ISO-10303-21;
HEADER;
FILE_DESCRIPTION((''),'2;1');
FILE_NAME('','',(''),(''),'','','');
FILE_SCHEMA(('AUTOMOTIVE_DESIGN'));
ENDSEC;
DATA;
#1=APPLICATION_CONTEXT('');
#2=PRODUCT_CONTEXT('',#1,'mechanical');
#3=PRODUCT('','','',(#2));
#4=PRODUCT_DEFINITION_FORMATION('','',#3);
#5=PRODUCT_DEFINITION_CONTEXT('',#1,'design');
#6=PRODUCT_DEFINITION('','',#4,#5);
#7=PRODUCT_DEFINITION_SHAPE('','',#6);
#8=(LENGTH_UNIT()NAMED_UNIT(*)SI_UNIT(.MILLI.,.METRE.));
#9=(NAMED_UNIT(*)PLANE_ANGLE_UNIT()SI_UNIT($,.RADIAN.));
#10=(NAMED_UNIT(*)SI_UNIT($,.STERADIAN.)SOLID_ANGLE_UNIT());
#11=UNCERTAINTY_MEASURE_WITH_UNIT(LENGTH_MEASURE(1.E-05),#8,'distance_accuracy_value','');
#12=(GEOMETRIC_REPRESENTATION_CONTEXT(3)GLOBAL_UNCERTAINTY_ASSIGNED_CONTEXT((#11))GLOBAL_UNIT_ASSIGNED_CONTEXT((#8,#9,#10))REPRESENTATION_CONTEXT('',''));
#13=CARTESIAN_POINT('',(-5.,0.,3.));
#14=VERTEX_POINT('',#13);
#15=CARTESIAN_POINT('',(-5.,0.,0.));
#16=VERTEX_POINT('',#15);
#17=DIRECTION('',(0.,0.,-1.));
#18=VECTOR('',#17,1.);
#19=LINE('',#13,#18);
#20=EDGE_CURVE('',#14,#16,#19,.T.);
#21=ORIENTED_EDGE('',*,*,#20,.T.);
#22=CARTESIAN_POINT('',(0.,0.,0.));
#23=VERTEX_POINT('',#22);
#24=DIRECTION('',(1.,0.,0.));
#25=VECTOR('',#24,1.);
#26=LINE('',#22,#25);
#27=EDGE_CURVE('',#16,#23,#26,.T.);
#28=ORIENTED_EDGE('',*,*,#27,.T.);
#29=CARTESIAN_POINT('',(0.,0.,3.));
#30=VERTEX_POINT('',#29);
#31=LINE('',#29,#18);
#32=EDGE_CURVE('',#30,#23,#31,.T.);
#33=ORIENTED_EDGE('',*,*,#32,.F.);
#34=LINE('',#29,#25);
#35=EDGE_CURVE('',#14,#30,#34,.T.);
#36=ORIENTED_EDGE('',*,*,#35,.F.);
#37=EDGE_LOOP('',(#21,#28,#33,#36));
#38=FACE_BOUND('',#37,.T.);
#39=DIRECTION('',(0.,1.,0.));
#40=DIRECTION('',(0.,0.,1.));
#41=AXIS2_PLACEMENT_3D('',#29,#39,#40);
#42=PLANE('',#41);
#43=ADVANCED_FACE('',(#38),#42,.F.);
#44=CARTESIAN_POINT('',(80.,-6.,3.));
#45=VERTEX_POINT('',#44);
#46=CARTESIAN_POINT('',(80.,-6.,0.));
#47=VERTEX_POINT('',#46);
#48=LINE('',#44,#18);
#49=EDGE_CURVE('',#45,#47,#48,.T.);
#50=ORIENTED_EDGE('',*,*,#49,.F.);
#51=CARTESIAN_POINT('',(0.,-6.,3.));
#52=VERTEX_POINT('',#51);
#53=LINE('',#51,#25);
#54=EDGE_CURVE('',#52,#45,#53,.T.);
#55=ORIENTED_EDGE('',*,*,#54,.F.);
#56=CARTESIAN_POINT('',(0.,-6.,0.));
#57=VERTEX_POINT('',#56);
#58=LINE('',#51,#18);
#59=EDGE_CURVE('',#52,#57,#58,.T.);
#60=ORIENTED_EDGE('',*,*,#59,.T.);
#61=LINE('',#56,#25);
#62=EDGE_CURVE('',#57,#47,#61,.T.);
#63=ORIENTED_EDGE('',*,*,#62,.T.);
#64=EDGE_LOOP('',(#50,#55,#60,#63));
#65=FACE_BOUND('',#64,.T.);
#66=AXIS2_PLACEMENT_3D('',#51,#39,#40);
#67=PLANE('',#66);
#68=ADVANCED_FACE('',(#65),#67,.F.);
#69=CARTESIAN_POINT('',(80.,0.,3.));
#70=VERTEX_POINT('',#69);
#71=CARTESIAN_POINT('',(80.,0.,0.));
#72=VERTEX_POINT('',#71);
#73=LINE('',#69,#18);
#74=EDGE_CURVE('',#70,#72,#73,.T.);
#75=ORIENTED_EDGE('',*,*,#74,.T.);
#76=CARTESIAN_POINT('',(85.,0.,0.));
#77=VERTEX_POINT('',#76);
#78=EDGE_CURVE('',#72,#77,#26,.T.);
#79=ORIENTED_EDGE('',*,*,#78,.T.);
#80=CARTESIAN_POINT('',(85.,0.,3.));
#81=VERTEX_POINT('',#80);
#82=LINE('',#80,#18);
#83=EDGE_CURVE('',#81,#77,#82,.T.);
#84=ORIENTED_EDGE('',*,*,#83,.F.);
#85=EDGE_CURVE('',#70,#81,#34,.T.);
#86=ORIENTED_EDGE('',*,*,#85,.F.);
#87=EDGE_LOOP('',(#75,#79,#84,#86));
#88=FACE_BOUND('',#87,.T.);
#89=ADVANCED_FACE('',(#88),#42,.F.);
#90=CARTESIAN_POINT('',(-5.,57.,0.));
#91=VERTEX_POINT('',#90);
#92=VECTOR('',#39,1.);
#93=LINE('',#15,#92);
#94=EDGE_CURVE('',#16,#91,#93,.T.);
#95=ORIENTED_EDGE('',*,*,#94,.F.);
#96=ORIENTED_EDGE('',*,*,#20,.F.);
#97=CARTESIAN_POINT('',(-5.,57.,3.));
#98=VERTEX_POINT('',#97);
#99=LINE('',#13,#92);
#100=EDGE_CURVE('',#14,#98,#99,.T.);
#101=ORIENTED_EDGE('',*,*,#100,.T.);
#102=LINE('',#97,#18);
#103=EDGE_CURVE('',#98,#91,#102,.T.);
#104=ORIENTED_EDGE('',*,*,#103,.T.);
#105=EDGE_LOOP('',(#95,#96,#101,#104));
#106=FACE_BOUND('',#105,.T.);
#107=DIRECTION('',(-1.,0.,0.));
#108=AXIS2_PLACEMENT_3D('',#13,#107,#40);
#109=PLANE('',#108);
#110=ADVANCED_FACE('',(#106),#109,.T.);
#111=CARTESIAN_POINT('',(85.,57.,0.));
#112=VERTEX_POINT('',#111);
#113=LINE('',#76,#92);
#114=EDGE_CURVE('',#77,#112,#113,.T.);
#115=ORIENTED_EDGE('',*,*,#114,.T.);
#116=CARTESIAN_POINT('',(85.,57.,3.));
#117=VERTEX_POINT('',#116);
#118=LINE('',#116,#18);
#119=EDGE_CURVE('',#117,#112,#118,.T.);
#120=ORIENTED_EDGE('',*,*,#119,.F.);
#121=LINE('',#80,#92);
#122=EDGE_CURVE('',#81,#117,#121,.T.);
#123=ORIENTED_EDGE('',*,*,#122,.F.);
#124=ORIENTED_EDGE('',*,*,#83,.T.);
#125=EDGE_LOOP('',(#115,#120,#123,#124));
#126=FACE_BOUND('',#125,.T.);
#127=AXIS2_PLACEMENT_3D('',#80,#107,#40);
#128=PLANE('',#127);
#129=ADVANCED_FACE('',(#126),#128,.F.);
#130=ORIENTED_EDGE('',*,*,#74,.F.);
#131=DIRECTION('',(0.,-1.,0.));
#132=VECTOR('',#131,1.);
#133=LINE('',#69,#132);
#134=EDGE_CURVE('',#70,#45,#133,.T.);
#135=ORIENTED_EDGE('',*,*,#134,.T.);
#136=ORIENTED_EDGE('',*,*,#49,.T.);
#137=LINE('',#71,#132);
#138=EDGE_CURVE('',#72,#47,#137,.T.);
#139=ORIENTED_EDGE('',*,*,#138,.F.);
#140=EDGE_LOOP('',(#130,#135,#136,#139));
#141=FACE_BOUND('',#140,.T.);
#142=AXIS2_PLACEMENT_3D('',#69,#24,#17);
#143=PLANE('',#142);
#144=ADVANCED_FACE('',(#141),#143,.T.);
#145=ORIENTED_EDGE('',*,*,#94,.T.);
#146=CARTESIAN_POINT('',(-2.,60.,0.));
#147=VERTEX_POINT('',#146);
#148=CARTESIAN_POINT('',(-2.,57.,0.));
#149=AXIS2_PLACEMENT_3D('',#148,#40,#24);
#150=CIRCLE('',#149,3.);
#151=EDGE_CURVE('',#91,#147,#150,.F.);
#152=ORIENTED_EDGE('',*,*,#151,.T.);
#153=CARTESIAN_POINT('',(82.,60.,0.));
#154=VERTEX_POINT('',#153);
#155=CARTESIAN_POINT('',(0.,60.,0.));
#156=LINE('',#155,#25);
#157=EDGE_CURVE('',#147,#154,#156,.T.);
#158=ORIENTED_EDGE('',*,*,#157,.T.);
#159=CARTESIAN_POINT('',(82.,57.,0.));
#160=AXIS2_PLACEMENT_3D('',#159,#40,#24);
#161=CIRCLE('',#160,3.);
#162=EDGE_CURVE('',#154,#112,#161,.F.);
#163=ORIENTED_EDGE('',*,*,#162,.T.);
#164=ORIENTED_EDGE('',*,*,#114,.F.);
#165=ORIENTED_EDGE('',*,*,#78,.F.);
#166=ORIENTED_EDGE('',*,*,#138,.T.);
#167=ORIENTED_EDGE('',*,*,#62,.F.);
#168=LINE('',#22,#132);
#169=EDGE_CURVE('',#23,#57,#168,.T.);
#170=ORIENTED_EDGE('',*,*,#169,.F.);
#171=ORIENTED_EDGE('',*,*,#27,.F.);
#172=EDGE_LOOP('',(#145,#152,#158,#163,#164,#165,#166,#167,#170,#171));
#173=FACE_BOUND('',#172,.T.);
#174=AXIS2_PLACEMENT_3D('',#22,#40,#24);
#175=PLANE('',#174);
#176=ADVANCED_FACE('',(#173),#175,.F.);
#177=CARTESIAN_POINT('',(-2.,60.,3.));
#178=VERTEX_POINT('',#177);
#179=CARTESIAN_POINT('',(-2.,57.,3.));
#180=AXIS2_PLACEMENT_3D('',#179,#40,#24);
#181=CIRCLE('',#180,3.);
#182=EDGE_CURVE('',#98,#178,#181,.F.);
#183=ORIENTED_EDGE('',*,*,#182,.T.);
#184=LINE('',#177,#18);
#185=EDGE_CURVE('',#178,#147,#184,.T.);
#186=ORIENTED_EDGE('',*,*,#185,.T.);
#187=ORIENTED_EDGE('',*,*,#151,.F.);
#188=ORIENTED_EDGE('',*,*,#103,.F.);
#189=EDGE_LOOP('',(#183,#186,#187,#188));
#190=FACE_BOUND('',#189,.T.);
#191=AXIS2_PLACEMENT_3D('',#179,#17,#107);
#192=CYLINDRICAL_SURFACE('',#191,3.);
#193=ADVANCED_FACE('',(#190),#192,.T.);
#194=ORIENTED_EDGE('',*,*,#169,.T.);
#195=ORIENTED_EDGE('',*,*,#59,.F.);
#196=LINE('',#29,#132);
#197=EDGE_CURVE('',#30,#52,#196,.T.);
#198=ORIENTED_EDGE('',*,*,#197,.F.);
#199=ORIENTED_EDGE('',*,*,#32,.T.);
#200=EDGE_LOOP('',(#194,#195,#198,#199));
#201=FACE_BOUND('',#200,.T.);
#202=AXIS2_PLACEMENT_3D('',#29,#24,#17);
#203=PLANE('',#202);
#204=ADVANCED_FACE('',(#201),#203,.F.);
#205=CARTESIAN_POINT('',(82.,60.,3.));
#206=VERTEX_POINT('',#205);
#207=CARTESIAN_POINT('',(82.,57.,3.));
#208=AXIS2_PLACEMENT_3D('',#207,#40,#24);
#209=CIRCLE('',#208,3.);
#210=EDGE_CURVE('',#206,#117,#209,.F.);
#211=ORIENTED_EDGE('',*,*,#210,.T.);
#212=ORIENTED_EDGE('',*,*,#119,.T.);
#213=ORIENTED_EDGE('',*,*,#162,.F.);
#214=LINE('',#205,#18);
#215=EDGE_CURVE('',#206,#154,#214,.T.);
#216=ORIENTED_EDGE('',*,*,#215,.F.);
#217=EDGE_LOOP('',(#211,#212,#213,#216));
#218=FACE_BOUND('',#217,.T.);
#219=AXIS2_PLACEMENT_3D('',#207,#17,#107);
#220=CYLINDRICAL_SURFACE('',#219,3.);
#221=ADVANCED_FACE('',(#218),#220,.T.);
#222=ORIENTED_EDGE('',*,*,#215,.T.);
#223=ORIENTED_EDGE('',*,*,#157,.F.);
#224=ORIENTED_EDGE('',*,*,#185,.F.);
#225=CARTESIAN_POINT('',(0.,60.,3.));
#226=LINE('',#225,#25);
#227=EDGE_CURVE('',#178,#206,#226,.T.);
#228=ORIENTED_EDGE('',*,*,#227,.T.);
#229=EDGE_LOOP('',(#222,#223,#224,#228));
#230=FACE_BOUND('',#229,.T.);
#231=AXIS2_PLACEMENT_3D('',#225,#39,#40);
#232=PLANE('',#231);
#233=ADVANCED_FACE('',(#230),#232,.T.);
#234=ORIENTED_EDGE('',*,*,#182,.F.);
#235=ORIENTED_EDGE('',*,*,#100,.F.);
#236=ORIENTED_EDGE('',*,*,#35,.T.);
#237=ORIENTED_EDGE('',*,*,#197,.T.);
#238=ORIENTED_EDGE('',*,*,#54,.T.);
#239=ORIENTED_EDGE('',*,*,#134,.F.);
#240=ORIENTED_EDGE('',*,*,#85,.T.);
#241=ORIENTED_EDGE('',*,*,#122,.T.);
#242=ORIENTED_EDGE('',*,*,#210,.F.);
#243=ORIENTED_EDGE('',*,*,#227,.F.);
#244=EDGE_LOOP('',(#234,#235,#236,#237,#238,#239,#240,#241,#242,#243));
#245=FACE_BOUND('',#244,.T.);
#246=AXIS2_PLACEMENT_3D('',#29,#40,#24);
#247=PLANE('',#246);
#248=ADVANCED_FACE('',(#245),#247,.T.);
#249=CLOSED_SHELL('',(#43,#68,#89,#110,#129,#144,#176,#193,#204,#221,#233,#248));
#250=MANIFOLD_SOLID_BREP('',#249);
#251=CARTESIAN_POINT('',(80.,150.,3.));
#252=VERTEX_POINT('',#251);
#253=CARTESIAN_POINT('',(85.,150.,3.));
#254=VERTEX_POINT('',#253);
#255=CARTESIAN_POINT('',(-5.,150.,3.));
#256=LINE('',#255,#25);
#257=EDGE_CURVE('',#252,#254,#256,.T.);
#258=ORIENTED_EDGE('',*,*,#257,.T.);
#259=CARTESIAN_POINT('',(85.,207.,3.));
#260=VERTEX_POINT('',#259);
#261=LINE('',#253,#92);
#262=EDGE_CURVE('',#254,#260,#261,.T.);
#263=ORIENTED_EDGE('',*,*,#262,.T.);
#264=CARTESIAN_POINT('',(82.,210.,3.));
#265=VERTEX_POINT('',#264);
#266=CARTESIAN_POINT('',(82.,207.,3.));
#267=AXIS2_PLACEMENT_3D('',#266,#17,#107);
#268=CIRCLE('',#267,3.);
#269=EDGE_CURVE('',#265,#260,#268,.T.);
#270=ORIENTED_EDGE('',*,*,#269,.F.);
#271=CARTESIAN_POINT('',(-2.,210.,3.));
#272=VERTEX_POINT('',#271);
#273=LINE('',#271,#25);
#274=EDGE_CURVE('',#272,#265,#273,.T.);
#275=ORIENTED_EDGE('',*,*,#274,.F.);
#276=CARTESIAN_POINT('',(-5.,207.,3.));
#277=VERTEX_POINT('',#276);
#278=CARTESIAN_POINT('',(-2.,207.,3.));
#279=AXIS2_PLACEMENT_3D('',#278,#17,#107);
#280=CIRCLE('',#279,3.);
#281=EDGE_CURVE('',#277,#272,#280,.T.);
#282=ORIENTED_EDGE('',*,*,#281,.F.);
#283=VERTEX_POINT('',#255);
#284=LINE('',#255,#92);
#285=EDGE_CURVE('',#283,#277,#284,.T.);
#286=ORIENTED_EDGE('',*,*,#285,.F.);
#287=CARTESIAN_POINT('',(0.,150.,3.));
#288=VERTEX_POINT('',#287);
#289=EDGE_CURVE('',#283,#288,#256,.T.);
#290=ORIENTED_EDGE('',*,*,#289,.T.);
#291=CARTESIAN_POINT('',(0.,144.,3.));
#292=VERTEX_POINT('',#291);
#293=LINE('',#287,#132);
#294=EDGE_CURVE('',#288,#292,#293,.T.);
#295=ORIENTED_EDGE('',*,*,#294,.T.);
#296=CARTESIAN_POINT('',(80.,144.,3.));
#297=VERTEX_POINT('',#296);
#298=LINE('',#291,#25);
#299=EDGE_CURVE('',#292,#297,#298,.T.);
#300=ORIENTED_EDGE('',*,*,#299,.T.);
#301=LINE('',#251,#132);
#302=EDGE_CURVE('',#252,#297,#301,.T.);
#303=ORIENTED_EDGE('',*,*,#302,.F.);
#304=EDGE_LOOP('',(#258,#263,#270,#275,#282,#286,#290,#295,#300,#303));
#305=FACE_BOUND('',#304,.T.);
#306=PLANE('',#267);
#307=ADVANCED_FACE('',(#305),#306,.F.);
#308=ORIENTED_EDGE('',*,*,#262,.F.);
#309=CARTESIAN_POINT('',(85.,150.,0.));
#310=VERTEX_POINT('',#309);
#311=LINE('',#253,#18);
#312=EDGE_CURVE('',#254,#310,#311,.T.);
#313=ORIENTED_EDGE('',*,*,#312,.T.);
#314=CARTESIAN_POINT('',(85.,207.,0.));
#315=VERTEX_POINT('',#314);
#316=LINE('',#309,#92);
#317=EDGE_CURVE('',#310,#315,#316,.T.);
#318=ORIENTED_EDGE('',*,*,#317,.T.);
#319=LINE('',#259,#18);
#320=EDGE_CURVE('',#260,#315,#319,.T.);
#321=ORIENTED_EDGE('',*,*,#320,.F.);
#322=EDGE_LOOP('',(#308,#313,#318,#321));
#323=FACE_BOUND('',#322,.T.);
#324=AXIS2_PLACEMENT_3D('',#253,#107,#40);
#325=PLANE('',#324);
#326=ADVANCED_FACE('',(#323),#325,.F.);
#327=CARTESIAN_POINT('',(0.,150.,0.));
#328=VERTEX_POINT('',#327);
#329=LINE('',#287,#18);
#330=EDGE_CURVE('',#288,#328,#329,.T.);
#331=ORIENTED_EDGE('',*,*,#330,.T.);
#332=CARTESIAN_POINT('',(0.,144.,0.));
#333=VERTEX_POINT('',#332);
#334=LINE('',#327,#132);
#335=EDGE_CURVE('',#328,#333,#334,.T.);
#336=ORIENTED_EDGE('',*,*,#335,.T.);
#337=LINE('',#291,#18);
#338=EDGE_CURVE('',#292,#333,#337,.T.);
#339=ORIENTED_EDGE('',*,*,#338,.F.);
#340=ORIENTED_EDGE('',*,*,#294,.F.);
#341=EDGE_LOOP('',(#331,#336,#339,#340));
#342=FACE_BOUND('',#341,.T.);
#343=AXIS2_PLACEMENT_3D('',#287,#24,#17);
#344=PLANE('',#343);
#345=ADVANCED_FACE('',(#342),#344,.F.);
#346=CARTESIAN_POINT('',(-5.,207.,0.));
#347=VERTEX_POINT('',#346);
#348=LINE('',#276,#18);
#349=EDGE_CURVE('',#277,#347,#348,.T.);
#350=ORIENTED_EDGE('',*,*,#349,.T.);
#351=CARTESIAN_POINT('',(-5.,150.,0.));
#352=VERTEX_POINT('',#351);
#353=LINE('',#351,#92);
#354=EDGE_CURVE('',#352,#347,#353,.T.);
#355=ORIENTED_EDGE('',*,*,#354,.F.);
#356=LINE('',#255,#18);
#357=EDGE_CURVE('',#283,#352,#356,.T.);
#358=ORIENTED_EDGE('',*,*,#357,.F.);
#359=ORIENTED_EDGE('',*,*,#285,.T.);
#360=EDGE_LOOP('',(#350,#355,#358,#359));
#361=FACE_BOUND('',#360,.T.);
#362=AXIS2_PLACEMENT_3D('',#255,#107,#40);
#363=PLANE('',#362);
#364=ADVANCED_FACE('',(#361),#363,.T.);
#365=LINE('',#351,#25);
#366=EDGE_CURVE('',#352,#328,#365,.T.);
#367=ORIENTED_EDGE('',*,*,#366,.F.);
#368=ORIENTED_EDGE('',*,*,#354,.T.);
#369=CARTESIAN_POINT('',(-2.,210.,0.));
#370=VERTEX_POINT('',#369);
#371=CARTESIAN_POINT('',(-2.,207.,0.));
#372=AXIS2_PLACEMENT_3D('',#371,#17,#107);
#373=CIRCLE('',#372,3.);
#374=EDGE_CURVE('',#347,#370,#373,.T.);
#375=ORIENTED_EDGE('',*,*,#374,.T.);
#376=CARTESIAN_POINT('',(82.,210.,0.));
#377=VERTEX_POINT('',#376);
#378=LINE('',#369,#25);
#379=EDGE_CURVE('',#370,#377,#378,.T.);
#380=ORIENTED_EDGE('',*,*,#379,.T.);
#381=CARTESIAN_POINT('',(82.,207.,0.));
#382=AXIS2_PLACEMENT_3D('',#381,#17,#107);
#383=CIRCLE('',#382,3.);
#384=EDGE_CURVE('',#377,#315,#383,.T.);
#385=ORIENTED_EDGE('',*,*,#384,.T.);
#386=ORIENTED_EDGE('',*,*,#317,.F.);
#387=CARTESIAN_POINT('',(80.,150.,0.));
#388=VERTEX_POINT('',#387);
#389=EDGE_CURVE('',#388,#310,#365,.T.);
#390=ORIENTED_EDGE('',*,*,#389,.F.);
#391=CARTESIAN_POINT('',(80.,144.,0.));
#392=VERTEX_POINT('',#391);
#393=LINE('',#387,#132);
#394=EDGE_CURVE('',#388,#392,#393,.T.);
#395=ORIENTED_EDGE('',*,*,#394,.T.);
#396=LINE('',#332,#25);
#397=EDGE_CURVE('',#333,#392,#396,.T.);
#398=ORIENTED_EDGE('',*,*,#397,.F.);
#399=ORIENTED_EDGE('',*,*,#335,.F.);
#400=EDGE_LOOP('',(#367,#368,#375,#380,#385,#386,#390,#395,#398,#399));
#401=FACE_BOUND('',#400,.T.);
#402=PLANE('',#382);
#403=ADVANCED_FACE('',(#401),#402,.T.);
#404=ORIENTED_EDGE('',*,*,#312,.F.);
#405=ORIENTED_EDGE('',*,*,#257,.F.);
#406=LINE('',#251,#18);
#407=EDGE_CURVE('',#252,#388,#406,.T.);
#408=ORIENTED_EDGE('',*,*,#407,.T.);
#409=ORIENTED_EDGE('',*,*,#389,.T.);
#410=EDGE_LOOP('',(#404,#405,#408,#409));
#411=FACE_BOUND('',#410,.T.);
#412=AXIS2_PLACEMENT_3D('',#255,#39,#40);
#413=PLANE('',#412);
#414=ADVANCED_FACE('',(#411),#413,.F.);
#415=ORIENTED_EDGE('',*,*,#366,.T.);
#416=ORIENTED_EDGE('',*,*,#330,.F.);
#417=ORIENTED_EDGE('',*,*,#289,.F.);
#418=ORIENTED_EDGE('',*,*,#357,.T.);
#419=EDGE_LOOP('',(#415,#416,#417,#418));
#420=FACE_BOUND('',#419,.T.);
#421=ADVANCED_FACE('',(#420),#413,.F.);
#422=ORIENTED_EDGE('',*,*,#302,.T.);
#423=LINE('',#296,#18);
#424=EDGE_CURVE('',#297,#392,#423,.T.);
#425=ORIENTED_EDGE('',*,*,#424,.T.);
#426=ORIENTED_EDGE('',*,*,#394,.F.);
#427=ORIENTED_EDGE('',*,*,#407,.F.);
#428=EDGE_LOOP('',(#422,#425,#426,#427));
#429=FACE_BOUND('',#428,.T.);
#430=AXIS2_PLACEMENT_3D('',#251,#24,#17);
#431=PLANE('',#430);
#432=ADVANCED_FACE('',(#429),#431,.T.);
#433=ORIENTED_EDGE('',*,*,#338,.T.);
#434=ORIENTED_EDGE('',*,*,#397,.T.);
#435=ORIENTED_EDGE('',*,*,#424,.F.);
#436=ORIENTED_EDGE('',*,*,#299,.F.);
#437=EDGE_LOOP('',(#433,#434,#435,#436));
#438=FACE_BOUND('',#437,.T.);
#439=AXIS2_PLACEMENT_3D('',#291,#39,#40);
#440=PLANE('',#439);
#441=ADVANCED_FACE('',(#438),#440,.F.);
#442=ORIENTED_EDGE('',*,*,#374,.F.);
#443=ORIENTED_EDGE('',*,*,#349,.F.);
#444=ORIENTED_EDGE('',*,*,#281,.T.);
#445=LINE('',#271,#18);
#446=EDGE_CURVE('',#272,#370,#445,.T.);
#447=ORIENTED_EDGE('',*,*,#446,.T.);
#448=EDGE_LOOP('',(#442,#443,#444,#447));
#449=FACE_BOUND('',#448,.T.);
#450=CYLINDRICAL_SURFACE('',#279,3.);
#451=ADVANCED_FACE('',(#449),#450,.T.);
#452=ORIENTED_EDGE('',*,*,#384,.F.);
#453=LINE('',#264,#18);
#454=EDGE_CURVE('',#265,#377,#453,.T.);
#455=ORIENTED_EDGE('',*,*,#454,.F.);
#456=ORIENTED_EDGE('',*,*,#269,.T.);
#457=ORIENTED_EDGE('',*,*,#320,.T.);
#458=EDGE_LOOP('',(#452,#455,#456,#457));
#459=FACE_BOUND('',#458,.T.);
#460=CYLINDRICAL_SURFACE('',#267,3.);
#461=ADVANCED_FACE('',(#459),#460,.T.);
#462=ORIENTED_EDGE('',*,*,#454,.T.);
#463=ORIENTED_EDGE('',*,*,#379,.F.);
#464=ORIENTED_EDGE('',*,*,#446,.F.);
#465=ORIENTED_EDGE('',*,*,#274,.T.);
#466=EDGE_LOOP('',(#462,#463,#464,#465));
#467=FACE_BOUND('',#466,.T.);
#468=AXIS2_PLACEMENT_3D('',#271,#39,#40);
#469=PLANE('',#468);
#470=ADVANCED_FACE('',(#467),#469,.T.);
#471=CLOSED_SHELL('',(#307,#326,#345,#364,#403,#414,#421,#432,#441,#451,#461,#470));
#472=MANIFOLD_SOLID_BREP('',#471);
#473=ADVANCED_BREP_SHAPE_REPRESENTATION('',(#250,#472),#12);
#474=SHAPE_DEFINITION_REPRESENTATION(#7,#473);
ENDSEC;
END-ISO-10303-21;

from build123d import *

# Parameters (mm, degrees)
SKETCH_1_W      = 80
SKETCH_1_H      = 6
EXTRUDE_1_DEPTH = 3


with BuildPart() as part:
    # 草圖1 → 填料-伸長1 (new body)
    with BuildSketch(Plane.XY):
        with Locations((40, -3)):
            Rectangle(SKETCH_1_W, SKETCH_1_H)
        with BuildLine():
            Line((-5, 0), (85, 0))
            Line((85, 0), (85, 57))
            ThreePointArc((85, 57), (84.121320344, 59.121320344), (82, 60))
            Line((82, 60), (-2, 60))
            ThreePointArc((-2, 60), (-4.121320344, 59.121320344), (-5, 57))
            Line((-5, 57), (-5, 0))
        make_face()
        with Locations((40, 147)):
            Rectangle(SKETCH_1_W, SKETCH_1_H)
        with BuildLine():
            Line((-5, 150), (-5, 207))
            ThreePointArc((-5, 207), (-4.121320344, 209.121320344), (-2, 210))
            Line((-2, 210), (82, 210))
            ThreePointArc((82, 210), (84.121320344, 209.121320344), (85, 207))
            Line((85, 207), (85, 150))
            Line((85, 150), (-5, 150))
        make_face()
    extrude(amount=EXTRUDE_1_DEPTH)


solid = part.part
